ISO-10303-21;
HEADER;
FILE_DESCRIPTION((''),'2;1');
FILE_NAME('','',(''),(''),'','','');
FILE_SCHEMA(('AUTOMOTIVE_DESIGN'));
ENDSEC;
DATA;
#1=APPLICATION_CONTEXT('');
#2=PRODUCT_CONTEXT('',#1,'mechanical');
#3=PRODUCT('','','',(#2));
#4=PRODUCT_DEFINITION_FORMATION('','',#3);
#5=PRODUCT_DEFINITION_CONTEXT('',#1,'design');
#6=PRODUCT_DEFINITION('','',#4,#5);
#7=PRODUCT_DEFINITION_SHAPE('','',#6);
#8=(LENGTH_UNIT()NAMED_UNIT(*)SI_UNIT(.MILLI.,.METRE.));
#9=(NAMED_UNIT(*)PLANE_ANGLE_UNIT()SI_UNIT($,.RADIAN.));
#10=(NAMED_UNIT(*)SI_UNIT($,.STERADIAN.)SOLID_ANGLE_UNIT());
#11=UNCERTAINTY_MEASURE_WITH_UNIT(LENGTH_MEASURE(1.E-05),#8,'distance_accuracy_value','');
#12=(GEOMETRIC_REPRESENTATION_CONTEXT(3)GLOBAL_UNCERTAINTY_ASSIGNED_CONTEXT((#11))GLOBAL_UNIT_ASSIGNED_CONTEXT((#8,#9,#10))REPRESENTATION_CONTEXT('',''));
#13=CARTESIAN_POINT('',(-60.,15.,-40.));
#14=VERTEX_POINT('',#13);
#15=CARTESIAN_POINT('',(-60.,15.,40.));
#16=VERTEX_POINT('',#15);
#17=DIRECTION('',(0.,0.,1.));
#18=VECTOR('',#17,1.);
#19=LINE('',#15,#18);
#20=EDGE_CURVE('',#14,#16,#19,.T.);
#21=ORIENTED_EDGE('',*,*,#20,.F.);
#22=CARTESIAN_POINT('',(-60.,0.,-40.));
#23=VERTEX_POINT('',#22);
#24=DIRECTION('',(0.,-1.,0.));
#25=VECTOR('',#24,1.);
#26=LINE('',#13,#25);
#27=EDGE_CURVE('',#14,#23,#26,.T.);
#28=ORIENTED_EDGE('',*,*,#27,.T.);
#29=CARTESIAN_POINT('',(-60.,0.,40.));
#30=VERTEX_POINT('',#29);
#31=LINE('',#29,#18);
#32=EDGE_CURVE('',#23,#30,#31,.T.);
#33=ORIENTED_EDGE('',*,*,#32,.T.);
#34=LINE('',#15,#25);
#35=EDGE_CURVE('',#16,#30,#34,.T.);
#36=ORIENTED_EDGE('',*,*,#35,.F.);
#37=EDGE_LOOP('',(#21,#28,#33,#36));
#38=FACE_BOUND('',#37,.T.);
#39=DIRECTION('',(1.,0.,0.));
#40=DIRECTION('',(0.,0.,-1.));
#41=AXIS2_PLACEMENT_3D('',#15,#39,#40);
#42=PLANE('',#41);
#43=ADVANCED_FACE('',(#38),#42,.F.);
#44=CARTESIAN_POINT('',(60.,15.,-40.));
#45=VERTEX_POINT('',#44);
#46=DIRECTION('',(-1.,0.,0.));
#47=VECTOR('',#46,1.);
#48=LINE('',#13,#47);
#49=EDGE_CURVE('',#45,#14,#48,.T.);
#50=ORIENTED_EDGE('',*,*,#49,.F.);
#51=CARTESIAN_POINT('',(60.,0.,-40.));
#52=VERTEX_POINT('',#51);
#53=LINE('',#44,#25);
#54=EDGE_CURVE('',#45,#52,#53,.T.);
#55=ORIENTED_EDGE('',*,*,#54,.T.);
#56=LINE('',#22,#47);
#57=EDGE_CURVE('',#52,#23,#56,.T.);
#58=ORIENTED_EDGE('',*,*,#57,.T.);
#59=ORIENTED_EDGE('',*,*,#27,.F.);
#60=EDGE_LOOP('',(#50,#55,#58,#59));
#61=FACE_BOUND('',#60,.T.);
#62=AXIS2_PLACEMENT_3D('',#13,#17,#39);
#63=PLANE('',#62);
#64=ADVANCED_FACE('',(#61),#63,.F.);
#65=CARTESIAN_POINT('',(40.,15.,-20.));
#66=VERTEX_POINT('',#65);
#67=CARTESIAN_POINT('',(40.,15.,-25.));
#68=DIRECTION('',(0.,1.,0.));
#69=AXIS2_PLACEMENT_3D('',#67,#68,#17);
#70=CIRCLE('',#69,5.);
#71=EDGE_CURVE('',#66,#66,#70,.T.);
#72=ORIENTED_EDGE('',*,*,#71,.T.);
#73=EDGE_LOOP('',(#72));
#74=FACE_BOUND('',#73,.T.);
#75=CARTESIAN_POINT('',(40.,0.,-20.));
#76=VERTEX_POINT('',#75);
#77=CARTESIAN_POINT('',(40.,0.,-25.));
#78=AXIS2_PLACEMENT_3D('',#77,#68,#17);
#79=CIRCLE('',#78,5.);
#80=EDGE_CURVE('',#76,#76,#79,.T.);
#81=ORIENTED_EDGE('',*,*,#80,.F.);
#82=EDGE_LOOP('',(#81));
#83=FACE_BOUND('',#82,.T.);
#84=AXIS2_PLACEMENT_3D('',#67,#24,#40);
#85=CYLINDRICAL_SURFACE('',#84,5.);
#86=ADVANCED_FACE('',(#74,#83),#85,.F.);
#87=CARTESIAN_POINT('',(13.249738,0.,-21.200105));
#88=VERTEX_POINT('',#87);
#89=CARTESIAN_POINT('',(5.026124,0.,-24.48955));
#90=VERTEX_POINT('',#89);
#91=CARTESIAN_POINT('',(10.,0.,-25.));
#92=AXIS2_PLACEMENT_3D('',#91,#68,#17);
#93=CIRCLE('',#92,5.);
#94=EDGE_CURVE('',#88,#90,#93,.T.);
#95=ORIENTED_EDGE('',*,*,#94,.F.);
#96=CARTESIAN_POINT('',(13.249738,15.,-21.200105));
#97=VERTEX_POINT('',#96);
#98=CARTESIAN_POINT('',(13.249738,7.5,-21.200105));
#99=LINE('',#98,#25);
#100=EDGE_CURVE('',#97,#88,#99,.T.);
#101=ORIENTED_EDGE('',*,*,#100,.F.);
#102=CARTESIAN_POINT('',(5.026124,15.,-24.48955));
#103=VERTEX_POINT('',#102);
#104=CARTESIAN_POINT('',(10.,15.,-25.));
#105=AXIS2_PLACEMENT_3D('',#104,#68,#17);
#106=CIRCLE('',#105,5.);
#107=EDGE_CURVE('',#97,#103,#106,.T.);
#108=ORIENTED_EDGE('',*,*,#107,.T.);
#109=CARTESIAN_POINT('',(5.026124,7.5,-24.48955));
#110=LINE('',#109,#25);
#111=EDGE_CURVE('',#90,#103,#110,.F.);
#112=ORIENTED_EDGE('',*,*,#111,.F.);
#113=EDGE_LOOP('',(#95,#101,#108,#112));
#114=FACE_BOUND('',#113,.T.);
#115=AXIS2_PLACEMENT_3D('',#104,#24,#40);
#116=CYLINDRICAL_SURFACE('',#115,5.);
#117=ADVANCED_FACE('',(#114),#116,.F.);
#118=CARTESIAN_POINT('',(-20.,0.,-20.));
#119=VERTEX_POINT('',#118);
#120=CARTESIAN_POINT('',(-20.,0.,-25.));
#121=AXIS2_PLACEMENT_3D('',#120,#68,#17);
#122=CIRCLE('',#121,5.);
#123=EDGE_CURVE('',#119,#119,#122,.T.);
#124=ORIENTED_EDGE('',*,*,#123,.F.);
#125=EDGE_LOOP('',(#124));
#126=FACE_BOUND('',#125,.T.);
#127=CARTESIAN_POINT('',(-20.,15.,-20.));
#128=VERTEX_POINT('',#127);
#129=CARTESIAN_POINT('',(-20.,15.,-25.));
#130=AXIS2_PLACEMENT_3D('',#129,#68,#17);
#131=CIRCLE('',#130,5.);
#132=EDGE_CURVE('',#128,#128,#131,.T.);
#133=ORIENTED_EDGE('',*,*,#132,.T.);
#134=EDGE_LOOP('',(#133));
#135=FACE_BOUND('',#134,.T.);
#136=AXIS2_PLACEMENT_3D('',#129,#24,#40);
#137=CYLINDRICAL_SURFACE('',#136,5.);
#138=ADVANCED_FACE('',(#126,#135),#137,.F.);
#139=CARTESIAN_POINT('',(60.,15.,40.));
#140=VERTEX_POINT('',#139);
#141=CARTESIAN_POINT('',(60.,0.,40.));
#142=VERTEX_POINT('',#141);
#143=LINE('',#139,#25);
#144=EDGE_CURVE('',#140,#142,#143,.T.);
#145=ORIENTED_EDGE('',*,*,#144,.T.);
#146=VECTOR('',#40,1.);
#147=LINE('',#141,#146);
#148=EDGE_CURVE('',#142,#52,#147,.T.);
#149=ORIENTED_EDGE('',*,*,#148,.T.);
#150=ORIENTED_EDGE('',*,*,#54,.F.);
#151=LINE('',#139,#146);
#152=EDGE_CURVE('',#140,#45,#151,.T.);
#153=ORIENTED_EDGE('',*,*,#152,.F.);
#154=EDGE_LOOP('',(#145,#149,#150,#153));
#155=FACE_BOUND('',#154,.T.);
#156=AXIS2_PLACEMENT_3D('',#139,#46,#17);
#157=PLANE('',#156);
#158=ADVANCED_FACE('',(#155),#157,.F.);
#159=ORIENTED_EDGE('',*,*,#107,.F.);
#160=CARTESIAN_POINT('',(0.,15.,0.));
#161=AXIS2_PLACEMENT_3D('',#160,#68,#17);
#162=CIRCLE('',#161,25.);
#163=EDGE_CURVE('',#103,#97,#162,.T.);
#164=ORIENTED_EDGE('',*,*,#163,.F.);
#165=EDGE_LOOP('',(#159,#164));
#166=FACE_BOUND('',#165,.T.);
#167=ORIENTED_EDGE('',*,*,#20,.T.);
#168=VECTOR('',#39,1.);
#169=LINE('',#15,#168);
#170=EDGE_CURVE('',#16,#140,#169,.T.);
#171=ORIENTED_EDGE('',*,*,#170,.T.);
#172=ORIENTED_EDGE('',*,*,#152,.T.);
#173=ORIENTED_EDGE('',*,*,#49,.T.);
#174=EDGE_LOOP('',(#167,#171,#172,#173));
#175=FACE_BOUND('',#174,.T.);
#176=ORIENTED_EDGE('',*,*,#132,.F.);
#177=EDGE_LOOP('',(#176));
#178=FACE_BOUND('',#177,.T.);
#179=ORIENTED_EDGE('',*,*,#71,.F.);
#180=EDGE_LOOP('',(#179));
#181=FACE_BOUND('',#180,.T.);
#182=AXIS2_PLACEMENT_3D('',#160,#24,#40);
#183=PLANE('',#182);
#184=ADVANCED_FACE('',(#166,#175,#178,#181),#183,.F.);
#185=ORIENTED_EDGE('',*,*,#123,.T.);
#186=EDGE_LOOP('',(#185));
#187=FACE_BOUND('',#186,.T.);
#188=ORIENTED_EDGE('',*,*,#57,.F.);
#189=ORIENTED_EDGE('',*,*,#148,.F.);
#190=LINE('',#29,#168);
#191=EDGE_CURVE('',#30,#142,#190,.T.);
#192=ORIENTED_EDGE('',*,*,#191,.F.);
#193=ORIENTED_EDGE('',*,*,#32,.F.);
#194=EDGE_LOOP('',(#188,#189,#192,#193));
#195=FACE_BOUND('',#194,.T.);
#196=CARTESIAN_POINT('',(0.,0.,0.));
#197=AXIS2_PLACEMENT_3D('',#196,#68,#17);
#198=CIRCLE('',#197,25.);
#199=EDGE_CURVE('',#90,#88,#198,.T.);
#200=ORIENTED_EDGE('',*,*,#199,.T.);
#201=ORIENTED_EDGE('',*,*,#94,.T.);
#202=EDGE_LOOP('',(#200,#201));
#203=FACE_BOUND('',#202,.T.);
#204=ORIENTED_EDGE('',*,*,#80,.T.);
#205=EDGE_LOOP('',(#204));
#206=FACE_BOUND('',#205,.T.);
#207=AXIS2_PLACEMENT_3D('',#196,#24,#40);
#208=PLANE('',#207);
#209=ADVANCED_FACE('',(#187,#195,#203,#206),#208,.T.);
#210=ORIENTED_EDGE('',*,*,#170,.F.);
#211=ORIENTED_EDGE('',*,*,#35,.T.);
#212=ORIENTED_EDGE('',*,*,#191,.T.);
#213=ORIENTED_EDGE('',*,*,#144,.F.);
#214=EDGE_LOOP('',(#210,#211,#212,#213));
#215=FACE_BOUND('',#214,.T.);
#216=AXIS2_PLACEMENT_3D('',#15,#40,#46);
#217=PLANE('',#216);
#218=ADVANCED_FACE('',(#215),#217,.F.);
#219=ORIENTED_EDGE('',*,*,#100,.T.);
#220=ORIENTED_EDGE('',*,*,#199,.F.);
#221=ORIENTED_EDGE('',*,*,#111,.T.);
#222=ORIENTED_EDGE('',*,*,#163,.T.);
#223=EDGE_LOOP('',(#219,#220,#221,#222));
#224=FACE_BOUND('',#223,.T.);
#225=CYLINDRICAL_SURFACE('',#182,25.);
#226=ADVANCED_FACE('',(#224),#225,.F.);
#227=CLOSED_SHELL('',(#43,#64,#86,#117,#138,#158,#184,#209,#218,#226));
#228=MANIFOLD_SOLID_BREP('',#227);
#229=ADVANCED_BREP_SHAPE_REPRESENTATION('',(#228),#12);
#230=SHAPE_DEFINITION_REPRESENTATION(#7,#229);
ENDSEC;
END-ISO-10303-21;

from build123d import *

# Parameters (mm, degrees)
SKETCH_1_W             = 120
SKETCH_1_H             = 80
EXTRUDE_1_DEPTH        = 15
SKETCH_2_R             = 25
CUT_EXTRUDE_1_DEPTH    = 15
SKETCH_3_R             = 5
CUT_EXTRUDE_2_DEPTH    = 15
PATTERN_LINEAR_1_COUNT = 3
PATTERN_LINEAR_1_PITCH = 30


with BuildPart() as part:
    # 草图1 → 凸台-拉伸1 (new body)
    with BuildSketch(Plane(origin=(0, 0, 0), x_dir=(1, 0, 0), z_dir=(0, 1, 0))):
        Rectangle(SKETCH_1_W, SKETCH_1_H)
    extrude(amount=EXTRUDE_1_DEPTH)

    # 草图2 → 切除-拉伸1 (cut)
    with BuildSketch(Plane(origin=(0, 0, 0), x_dir=(1, 0, 0), z_dir=(0, 1, 0))):
        with Locations(Location((0, 0, 0), (0, 0, 270))):
            Circle(SKETCH_2_R)
    extrude(amount=CUT_EXTRUDE_1_DEPTH, mode=Mode.SUBTRACT)

    # 草图3 → 切除-拉伸2 (cut)
    with BuildSketch(Plane(origin=(0, 0, 0), x_dir=(1, 0, 0), z_dir=(0, 1, 0))):
        with Locations(Location((40, 25, 0), (0, 0, 270))):
            Circle(SKETCH_3_R)
    cut_extrude_2 = extrude(amount=CUT_EXTRUDE_2_DEPTH, mode=Mode.SUBTRACT)

    # 阵列(线性)1: 切除-拉伸2 ×3
    with Locations(*[(-i * PATTERN_LINEAR_1_PITCH, 0, 0) for i in range(1, PATTERN_LINEAR_1_COUNT)]):
        add(cut_extrude_2, mode=Mode.SUBTRACT)


solid = part.part
